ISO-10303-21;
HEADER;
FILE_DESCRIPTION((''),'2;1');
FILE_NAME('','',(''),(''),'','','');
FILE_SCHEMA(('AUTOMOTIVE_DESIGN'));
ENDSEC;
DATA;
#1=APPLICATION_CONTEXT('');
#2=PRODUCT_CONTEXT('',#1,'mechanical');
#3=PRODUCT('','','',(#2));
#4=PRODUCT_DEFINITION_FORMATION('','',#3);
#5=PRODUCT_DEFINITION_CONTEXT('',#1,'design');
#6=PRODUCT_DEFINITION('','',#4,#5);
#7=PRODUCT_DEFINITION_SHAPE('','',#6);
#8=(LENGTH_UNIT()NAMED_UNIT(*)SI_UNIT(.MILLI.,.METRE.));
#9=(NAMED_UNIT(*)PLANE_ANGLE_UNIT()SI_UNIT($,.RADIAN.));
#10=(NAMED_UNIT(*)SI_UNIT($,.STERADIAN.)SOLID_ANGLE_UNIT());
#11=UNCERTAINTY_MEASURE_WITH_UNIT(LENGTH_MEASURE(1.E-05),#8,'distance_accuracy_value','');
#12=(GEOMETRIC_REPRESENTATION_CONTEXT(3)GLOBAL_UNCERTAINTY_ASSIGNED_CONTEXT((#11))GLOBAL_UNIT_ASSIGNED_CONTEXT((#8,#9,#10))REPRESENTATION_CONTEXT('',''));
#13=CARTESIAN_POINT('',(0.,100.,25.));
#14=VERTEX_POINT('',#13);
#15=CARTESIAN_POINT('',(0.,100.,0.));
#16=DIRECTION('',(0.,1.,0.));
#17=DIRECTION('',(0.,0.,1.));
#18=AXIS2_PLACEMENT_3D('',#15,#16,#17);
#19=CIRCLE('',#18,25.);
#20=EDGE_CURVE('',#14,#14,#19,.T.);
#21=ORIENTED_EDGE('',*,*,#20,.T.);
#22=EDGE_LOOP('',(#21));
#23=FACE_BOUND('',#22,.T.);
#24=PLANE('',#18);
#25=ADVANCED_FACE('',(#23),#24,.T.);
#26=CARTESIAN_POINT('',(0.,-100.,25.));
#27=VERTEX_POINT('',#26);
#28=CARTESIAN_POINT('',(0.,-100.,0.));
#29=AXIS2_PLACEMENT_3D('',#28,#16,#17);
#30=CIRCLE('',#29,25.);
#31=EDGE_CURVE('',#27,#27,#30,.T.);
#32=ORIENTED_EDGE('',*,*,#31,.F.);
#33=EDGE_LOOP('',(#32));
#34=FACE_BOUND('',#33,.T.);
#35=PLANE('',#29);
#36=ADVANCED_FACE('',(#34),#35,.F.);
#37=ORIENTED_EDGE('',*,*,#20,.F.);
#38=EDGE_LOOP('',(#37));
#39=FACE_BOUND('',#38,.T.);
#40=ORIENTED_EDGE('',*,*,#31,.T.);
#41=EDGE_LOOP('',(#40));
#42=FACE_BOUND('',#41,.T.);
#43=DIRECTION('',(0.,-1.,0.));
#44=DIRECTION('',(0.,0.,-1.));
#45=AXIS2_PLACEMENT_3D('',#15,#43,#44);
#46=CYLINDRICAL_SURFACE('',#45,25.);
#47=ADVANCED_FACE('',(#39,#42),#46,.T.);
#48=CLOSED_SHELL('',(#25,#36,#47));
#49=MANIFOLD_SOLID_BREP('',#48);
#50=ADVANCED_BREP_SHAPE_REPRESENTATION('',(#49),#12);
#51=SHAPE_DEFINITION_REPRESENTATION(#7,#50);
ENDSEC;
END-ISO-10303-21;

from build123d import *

# Parameters (mm, degrees)
SKETCH1_R           = 25
BOSS_EXTRUDE1_DEPTH = 100


with BuildPart() as part:
    # Sketch1 → Boss-Extrude1 (new body, symmetric)
    with BuildSketch(Plane(origin=(0, 0, 0), x_dir=(1, 0, 0), z_dir=(0, 1, 0))):
        Circle(SKETCH1_R)
    extrude(amount=BOSS_EXTRUDE1_DEPTH, both=True)


solid = part.part
